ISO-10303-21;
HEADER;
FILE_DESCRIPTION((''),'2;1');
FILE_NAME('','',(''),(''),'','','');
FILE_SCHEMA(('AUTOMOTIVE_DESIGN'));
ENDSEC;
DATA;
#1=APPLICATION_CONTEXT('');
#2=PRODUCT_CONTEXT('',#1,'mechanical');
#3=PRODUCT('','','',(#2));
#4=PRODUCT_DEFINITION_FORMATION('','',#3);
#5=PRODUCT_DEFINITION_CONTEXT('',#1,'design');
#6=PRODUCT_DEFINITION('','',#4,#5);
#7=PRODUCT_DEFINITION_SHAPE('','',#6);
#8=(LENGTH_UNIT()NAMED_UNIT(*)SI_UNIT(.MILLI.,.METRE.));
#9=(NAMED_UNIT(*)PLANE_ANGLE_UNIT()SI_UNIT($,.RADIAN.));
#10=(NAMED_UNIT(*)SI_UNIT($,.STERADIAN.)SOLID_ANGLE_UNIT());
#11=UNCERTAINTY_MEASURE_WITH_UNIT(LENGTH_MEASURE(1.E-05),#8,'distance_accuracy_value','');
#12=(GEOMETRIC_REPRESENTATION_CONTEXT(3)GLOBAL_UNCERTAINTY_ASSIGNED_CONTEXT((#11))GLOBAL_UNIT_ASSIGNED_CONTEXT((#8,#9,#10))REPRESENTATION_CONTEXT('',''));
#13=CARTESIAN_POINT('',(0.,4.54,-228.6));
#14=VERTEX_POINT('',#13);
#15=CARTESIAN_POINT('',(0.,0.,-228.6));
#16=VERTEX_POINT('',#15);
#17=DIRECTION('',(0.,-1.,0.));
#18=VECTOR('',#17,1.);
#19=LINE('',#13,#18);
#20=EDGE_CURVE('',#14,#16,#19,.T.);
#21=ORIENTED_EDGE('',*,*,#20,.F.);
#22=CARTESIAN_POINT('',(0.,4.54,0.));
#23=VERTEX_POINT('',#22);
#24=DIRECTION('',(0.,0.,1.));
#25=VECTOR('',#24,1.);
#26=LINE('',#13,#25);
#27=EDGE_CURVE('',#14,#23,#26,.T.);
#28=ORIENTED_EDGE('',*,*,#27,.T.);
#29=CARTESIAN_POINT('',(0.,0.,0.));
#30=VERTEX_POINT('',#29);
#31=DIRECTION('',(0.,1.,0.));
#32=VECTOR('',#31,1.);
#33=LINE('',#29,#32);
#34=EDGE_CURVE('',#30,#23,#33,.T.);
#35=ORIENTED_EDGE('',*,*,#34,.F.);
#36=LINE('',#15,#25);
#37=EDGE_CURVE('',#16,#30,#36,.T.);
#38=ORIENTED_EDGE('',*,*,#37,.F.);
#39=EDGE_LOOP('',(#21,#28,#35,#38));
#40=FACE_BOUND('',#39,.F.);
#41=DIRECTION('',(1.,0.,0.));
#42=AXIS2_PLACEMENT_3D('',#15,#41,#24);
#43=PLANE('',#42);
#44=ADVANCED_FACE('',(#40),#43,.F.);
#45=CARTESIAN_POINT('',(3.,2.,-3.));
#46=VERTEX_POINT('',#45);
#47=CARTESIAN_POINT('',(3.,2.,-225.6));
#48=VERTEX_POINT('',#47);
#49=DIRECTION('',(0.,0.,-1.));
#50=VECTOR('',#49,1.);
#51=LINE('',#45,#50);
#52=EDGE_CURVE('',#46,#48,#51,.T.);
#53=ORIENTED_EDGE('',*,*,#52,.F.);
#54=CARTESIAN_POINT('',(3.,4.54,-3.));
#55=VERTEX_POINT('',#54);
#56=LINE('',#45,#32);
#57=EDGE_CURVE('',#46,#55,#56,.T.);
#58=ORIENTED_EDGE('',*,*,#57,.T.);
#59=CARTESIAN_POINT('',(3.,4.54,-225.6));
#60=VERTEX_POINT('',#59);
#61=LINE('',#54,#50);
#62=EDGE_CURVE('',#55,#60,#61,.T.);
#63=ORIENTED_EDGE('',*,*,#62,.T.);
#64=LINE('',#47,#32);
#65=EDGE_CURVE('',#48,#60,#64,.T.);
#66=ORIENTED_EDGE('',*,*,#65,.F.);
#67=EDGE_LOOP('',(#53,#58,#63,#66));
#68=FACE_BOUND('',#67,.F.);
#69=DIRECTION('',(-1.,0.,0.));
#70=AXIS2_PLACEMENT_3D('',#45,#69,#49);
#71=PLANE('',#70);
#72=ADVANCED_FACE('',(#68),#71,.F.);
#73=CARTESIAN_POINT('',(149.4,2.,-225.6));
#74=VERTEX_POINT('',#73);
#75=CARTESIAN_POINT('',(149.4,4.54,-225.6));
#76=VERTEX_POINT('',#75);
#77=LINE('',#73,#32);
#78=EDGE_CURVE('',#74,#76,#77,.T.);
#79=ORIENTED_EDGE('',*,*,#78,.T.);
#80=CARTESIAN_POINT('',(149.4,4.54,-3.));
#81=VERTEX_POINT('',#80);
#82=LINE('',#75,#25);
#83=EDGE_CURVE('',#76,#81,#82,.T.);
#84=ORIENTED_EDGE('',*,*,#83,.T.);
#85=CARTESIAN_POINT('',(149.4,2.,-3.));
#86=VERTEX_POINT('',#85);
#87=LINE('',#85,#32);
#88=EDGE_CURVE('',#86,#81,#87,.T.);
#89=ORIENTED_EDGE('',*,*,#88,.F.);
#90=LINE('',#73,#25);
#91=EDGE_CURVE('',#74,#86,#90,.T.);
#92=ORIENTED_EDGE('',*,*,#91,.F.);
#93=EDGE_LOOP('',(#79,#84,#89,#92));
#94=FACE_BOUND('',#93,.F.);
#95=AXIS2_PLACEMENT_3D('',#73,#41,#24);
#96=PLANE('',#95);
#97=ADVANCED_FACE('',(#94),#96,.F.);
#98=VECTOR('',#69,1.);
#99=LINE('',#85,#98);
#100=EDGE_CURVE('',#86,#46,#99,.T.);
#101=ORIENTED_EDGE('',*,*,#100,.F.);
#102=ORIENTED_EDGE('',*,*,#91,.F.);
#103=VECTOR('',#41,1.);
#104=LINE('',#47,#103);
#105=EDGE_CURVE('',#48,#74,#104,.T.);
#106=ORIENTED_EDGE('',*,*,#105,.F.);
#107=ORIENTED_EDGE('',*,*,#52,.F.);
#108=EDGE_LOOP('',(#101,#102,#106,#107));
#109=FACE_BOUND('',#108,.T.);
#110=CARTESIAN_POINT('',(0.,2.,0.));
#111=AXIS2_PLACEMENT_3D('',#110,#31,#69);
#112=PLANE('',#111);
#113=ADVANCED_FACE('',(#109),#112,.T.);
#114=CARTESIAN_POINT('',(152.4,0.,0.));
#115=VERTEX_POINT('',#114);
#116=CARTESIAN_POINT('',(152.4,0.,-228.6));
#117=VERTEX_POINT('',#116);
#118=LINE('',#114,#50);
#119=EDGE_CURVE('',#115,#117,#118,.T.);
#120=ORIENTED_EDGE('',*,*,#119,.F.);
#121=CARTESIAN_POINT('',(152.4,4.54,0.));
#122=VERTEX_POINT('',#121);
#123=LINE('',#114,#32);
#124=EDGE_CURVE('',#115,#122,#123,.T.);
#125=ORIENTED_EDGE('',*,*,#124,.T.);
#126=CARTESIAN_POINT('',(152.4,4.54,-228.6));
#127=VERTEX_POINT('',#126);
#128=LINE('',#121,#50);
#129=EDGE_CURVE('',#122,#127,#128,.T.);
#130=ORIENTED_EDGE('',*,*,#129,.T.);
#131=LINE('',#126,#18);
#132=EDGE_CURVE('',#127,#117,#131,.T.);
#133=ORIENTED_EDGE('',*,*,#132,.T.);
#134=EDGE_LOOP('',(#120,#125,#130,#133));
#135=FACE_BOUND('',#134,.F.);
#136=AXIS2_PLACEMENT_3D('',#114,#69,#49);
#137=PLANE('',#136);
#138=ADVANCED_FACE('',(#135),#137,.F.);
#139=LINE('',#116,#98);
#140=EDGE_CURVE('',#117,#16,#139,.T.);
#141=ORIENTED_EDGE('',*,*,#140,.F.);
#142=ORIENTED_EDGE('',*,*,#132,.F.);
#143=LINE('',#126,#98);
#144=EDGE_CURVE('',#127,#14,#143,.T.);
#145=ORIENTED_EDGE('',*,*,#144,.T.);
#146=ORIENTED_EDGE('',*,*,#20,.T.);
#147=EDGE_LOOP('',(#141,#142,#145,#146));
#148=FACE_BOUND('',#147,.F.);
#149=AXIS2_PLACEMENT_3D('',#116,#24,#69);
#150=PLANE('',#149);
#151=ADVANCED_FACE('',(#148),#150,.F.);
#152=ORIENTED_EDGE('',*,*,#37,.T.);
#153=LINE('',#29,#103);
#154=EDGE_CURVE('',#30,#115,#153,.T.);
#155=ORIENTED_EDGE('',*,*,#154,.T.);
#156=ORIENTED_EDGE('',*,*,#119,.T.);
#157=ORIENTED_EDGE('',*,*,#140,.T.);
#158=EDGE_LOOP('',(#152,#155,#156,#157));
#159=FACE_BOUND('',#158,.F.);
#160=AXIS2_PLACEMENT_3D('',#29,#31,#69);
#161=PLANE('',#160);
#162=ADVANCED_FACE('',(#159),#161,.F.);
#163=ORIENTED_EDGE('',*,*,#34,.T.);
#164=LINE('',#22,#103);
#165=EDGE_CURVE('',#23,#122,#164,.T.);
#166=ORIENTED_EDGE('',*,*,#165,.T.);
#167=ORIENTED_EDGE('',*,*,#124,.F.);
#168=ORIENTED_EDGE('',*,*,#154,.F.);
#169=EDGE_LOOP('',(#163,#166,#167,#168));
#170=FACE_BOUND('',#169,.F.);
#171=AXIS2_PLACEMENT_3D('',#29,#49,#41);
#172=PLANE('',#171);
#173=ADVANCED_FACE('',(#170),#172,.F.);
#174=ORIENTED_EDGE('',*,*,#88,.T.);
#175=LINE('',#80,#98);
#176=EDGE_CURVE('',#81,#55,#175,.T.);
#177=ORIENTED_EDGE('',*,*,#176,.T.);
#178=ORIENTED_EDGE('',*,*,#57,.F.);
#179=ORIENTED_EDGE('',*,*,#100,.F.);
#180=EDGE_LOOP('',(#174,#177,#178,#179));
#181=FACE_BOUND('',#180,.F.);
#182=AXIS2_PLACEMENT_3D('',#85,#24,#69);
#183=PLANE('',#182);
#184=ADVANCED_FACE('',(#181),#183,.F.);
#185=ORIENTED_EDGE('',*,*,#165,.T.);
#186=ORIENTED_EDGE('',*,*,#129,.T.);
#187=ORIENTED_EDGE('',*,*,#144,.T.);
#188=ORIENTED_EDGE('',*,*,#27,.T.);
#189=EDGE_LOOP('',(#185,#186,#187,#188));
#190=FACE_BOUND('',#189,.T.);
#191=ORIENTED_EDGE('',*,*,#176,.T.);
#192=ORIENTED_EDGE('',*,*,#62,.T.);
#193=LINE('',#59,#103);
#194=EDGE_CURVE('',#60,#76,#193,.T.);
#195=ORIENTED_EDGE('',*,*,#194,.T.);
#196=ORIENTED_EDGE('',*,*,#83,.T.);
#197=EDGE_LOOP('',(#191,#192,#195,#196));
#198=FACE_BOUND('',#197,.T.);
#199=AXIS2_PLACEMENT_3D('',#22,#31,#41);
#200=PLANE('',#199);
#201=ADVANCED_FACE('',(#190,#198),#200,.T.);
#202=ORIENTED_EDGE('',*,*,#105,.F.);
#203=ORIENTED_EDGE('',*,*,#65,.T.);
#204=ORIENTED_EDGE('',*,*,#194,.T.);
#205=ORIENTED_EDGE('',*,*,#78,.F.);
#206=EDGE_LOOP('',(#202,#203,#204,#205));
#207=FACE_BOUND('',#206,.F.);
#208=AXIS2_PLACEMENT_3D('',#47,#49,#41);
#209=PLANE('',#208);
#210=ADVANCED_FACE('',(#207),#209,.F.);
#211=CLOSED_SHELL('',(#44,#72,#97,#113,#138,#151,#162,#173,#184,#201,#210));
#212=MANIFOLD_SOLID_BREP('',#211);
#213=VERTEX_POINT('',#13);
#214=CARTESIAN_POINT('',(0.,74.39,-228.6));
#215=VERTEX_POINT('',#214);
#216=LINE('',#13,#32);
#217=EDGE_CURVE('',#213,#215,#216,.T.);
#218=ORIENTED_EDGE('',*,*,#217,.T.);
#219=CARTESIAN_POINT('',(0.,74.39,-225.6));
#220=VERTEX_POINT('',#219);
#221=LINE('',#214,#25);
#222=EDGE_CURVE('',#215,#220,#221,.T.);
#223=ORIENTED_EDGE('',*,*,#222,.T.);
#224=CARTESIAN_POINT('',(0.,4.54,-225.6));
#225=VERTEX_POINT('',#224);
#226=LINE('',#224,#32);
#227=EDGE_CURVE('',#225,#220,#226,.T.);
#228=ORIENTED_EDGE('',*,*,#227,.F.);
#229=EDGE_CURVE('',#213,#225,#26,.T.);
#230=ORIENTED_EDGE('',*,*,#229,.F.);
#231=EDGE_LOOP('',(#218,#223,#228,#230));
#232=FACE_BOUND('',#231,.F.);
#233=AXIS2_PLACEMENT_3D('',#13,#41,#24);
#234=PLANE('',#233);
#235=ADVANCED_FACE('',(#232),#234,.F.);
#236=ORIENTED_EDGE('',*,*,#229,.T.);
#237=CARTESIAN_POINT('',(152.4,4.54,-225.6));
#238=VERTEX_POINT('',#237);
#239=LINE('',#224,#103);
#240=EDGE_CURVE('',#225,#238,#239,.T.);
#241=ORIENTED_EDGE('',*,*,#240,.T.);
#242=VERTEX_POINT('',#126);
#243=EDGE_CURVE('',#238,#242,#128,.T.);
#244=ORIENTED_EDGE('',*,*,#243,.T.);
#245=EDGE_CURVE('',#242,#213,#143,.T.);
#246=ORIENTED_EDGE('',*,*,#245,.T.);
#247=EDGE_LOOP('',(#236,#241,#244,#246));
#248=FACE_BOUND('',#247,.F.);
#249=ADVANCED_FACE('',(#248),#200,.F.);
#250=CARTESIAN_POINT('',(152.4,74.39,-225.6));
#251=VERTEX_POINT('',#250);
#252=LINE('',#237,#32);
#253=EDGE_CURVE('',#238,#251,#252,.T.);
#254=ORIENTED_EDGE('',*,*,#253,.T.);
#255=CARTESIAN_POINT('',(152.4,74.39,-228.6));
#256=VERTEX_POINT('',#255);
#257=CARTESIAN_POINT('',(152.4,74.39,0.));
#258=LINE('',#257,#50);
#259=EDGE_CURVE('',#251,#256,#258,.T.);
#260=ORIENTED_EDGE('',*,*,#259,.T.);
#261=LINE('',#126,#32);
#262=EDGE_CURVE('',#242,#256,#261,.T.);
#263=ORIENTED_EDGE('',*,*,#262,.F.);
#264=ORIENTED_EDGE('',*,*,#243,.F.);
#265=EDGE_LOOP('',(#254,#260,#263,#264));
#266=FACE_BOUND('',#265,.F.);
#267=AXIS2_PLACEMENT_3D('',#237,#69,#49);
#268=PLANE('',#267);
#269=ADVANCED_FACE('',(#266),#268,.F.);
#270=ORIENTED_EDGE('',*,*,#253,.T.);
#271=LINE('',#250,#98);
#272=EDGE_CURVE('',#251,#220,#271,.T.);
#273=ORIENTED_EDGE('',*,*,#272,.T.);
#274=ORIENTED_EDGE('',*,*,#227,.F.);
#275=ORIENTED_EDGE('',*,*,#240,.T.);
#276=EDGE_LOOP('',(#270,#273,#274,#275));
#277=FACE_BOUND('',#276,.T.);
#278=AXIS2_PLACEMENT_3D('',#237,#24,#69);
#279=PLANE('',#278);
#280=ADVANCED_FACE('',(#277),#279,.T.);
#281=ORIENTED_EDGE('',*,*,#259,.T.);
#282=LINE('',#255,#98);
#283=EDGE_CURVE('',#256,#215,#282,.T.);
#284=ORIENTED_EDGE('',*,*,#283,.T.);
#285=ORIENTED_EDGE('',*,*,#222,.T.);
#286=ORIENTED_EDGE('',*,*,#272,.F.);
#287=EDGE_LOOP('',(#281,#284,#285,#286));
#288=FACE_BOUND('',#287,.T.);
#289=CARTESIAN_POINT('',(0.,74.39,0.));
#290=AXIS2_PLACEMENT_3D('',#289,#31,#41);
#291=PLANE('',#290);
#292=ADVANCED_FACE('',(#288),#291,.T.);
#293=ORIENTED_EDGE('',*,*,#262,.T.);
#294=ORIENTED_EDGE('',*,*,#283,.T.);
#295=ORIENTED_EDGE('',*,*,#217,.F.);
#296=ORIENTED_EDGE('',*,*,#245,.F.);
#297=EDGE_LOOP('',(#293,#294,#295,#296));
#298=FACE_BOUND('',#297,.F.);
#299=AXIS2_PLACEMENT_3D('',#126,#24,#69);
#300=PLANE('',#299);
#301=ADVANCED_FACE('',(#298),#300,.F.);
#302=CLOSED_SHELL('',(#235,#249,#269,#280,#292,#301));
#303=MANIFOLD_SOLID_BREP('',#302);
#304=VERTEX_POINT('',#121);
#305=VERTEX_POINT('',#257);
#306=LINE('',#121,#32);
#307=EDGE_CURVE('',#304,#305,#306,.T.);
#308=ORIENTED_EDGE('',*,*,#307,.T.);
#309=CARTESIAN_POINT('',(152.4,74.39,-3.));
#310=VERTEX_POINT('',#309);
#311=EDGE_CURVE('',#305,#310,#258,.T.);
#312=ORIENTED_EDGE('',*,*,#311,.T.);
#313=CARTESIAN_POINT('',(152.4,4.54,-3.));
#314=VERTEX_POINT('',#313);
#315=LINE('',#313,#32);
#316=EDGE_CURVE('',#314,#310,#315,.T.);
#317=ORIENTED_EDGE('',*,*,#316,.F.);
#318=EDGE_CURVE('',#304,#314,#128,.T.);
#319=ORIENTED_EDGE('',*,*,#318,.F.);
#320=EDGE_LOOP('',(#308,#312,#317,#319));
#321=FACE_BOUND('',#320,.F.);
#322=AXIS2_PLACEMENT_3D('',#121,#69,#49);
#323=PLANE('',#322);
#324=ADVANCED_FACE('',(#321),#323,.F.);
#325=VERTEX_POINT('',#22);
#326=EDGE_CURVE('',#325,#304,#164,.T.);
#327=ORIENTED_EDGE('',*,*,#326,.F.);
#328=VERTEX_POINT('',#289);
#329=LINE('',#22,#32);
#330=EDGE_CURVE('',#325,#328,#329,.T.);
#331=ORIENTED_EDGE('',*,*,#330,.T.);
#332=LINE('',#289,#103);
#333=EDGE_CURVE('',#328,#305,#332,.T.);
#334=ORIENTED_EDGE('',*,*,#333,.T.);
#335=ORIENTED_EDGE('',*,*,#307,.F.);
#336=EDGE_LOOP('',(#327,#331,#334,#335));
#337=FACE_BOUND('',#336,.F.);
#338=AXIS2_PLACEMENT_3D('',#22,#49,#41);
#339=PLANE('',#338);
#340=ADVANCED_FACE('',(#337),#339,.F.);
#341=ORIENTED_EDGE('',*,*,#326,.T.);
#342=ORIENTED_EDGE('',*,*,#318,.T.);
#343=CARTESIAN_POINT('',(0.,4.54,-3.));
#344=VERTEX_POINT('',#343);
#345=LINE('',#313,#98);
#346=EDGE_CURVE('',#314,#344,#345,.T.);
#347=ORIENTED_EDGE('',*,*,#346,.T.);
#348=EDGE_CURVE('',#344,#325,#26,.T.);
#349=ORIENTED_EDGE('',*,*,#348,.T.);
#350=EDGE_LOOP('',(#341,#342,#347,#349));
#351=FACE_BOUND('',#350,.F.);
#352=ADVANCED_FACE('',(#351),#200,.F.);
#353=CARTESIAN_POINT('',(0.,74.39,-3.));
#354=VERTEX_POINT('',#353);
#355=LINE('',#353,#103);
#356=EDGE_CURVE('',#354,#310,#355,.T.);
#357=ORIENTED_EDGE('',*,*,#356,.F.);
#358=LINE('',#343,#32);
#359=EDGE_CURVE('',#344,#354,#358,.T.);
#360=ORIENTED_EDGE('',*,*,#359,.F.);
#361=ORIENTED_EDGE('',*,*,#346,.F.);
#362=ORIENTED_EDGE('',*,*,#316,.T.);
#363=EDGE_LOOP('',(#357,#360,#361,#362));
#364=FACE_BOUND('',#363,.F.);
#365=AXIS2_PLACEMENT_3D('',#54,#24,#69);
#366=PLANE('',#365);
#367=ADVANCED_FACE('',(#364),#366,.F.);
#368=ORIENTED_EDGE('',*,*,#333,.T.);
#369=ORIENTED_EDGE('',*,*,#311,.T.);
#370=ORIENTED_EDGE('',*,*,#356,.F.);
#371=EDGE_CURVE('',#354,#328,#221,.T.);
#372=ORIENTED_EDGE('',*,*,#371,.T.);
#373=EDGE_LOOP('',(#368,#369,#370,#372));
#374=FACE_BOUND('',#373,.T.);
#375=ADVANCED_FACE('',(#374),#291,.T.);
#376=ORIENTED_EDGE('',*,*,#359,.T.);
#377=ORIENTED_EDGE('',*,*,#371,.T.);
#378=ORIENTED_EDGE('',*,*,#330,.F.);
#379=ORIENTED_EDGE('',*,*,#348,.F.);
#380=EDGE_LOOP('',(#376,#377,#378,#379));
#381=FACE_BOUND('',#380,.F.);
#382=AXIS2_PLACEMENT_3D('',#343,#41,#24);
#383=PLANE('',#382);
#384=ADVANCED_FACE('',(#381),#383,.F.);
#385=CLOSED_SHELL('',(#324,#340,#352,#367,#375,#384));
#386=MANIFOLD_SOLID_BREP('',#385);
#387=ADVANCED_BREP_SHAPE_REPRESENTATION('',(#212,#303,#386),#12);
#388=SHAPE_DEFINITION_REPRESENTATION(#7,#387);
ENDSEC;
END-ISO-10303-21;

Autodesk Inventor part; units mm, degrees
ref_plane "YZ Plane" through (0, 0, 0) normal (1, 0, 0) x (0, 1, 0)
ref_plane "XZ Plane" through (0, 0, 0) normal (0, 1, 0) x (-1, 0, 0)
ref_plane "XY Plane" through (0, 0, 0) normal (0, 0, 1) x (1, 0, 0)
sketch "Sketch1" plane through (0, 0, 0) normal (0, 1, 0) x (-1, 0, 0)
  line L0 (0, 0) -> (-152.4, 0)
  line L1 (-152.4, 0) -> (-152.4, -228.6)
  line L2 (-152.4, -228.6) -> (0, -228.6)
  line L3 (0, -228.6) -> (0, 0)
  dimension "d0" = 152.4
  dimension "d1" = 228.6
extrude "Extrusion1" add sketch "Sketch1" along normal blind 2
sketch "Sketch3" plane through (0, 2, 0) normal (0, 1, 0) x (1, 0, 0)
  line L0 (152.4, 0) -> (152.4, 228.6) projected
  line L1 (152.4, 228.6) -> (0, 228.6) projected
  line L2 (0, 228.6) -> (0, 0) projected
  line L3 (0, 0) -> (152.4, 0) projected
  line L4 (3, 3) -> (3, 225.6)
  line L5 (3, 225.6) -> (149.4, 225.6)
  line L6 (149.4, 225.6) -> (149.4, 3)
  line L7 (149.4, 3) -> (3, 3)
  dimension "d13" = 3
extrude "Extrusion2" add sketch "Sketch3" along normal blind 2.54
sketch "Sketch4" plane through (0, 4.54, 0) normal (0, 1, 0) x (1, 0, 0)
  line L0 (152.4, 228.6) -> (0, 228.6) projected
  line L1 (0, 228.6) -> (0, 0) projected
  line L2 (0, 0) -> (152.4, 0) projected
  line L3 (152.4, 0) -> (152.4, 228.6) projected
  line L4 (3, 3) -> (3, 225.6) projected
  line L5 (3, 225.6) -> (149.4, 225.6) projected
  line L6 (149.4, 225.6) -> (149.4, 3) projected
  line L7 (149.4, 3) -> (3, 3) projected
  line L8 (152.4, 225.6) -> (0, 225.6)
  line L9 (0, 225.6) -> (0, 228.6)
  line L10 (0, 228.6) -> (152.4, 228.6)
  line L11 (152.4, 228.6) -> (152.4, 225.6)
  line L12 (0, 0) -> (152.4, 0)
  line L13 (152.4, 0) -> (152.4, 3)
  line L14 (152.4, 3) -> (0, 3)
  line L15 (0, 3) -> (0, 0)
extrude "Extrusion3" add sketch "Sketch4" along normal blind 69.85 separate body contours L3 L8 L5 L1 L0 | L3 L2 L1 L14 L7
properties part number "testbase"
